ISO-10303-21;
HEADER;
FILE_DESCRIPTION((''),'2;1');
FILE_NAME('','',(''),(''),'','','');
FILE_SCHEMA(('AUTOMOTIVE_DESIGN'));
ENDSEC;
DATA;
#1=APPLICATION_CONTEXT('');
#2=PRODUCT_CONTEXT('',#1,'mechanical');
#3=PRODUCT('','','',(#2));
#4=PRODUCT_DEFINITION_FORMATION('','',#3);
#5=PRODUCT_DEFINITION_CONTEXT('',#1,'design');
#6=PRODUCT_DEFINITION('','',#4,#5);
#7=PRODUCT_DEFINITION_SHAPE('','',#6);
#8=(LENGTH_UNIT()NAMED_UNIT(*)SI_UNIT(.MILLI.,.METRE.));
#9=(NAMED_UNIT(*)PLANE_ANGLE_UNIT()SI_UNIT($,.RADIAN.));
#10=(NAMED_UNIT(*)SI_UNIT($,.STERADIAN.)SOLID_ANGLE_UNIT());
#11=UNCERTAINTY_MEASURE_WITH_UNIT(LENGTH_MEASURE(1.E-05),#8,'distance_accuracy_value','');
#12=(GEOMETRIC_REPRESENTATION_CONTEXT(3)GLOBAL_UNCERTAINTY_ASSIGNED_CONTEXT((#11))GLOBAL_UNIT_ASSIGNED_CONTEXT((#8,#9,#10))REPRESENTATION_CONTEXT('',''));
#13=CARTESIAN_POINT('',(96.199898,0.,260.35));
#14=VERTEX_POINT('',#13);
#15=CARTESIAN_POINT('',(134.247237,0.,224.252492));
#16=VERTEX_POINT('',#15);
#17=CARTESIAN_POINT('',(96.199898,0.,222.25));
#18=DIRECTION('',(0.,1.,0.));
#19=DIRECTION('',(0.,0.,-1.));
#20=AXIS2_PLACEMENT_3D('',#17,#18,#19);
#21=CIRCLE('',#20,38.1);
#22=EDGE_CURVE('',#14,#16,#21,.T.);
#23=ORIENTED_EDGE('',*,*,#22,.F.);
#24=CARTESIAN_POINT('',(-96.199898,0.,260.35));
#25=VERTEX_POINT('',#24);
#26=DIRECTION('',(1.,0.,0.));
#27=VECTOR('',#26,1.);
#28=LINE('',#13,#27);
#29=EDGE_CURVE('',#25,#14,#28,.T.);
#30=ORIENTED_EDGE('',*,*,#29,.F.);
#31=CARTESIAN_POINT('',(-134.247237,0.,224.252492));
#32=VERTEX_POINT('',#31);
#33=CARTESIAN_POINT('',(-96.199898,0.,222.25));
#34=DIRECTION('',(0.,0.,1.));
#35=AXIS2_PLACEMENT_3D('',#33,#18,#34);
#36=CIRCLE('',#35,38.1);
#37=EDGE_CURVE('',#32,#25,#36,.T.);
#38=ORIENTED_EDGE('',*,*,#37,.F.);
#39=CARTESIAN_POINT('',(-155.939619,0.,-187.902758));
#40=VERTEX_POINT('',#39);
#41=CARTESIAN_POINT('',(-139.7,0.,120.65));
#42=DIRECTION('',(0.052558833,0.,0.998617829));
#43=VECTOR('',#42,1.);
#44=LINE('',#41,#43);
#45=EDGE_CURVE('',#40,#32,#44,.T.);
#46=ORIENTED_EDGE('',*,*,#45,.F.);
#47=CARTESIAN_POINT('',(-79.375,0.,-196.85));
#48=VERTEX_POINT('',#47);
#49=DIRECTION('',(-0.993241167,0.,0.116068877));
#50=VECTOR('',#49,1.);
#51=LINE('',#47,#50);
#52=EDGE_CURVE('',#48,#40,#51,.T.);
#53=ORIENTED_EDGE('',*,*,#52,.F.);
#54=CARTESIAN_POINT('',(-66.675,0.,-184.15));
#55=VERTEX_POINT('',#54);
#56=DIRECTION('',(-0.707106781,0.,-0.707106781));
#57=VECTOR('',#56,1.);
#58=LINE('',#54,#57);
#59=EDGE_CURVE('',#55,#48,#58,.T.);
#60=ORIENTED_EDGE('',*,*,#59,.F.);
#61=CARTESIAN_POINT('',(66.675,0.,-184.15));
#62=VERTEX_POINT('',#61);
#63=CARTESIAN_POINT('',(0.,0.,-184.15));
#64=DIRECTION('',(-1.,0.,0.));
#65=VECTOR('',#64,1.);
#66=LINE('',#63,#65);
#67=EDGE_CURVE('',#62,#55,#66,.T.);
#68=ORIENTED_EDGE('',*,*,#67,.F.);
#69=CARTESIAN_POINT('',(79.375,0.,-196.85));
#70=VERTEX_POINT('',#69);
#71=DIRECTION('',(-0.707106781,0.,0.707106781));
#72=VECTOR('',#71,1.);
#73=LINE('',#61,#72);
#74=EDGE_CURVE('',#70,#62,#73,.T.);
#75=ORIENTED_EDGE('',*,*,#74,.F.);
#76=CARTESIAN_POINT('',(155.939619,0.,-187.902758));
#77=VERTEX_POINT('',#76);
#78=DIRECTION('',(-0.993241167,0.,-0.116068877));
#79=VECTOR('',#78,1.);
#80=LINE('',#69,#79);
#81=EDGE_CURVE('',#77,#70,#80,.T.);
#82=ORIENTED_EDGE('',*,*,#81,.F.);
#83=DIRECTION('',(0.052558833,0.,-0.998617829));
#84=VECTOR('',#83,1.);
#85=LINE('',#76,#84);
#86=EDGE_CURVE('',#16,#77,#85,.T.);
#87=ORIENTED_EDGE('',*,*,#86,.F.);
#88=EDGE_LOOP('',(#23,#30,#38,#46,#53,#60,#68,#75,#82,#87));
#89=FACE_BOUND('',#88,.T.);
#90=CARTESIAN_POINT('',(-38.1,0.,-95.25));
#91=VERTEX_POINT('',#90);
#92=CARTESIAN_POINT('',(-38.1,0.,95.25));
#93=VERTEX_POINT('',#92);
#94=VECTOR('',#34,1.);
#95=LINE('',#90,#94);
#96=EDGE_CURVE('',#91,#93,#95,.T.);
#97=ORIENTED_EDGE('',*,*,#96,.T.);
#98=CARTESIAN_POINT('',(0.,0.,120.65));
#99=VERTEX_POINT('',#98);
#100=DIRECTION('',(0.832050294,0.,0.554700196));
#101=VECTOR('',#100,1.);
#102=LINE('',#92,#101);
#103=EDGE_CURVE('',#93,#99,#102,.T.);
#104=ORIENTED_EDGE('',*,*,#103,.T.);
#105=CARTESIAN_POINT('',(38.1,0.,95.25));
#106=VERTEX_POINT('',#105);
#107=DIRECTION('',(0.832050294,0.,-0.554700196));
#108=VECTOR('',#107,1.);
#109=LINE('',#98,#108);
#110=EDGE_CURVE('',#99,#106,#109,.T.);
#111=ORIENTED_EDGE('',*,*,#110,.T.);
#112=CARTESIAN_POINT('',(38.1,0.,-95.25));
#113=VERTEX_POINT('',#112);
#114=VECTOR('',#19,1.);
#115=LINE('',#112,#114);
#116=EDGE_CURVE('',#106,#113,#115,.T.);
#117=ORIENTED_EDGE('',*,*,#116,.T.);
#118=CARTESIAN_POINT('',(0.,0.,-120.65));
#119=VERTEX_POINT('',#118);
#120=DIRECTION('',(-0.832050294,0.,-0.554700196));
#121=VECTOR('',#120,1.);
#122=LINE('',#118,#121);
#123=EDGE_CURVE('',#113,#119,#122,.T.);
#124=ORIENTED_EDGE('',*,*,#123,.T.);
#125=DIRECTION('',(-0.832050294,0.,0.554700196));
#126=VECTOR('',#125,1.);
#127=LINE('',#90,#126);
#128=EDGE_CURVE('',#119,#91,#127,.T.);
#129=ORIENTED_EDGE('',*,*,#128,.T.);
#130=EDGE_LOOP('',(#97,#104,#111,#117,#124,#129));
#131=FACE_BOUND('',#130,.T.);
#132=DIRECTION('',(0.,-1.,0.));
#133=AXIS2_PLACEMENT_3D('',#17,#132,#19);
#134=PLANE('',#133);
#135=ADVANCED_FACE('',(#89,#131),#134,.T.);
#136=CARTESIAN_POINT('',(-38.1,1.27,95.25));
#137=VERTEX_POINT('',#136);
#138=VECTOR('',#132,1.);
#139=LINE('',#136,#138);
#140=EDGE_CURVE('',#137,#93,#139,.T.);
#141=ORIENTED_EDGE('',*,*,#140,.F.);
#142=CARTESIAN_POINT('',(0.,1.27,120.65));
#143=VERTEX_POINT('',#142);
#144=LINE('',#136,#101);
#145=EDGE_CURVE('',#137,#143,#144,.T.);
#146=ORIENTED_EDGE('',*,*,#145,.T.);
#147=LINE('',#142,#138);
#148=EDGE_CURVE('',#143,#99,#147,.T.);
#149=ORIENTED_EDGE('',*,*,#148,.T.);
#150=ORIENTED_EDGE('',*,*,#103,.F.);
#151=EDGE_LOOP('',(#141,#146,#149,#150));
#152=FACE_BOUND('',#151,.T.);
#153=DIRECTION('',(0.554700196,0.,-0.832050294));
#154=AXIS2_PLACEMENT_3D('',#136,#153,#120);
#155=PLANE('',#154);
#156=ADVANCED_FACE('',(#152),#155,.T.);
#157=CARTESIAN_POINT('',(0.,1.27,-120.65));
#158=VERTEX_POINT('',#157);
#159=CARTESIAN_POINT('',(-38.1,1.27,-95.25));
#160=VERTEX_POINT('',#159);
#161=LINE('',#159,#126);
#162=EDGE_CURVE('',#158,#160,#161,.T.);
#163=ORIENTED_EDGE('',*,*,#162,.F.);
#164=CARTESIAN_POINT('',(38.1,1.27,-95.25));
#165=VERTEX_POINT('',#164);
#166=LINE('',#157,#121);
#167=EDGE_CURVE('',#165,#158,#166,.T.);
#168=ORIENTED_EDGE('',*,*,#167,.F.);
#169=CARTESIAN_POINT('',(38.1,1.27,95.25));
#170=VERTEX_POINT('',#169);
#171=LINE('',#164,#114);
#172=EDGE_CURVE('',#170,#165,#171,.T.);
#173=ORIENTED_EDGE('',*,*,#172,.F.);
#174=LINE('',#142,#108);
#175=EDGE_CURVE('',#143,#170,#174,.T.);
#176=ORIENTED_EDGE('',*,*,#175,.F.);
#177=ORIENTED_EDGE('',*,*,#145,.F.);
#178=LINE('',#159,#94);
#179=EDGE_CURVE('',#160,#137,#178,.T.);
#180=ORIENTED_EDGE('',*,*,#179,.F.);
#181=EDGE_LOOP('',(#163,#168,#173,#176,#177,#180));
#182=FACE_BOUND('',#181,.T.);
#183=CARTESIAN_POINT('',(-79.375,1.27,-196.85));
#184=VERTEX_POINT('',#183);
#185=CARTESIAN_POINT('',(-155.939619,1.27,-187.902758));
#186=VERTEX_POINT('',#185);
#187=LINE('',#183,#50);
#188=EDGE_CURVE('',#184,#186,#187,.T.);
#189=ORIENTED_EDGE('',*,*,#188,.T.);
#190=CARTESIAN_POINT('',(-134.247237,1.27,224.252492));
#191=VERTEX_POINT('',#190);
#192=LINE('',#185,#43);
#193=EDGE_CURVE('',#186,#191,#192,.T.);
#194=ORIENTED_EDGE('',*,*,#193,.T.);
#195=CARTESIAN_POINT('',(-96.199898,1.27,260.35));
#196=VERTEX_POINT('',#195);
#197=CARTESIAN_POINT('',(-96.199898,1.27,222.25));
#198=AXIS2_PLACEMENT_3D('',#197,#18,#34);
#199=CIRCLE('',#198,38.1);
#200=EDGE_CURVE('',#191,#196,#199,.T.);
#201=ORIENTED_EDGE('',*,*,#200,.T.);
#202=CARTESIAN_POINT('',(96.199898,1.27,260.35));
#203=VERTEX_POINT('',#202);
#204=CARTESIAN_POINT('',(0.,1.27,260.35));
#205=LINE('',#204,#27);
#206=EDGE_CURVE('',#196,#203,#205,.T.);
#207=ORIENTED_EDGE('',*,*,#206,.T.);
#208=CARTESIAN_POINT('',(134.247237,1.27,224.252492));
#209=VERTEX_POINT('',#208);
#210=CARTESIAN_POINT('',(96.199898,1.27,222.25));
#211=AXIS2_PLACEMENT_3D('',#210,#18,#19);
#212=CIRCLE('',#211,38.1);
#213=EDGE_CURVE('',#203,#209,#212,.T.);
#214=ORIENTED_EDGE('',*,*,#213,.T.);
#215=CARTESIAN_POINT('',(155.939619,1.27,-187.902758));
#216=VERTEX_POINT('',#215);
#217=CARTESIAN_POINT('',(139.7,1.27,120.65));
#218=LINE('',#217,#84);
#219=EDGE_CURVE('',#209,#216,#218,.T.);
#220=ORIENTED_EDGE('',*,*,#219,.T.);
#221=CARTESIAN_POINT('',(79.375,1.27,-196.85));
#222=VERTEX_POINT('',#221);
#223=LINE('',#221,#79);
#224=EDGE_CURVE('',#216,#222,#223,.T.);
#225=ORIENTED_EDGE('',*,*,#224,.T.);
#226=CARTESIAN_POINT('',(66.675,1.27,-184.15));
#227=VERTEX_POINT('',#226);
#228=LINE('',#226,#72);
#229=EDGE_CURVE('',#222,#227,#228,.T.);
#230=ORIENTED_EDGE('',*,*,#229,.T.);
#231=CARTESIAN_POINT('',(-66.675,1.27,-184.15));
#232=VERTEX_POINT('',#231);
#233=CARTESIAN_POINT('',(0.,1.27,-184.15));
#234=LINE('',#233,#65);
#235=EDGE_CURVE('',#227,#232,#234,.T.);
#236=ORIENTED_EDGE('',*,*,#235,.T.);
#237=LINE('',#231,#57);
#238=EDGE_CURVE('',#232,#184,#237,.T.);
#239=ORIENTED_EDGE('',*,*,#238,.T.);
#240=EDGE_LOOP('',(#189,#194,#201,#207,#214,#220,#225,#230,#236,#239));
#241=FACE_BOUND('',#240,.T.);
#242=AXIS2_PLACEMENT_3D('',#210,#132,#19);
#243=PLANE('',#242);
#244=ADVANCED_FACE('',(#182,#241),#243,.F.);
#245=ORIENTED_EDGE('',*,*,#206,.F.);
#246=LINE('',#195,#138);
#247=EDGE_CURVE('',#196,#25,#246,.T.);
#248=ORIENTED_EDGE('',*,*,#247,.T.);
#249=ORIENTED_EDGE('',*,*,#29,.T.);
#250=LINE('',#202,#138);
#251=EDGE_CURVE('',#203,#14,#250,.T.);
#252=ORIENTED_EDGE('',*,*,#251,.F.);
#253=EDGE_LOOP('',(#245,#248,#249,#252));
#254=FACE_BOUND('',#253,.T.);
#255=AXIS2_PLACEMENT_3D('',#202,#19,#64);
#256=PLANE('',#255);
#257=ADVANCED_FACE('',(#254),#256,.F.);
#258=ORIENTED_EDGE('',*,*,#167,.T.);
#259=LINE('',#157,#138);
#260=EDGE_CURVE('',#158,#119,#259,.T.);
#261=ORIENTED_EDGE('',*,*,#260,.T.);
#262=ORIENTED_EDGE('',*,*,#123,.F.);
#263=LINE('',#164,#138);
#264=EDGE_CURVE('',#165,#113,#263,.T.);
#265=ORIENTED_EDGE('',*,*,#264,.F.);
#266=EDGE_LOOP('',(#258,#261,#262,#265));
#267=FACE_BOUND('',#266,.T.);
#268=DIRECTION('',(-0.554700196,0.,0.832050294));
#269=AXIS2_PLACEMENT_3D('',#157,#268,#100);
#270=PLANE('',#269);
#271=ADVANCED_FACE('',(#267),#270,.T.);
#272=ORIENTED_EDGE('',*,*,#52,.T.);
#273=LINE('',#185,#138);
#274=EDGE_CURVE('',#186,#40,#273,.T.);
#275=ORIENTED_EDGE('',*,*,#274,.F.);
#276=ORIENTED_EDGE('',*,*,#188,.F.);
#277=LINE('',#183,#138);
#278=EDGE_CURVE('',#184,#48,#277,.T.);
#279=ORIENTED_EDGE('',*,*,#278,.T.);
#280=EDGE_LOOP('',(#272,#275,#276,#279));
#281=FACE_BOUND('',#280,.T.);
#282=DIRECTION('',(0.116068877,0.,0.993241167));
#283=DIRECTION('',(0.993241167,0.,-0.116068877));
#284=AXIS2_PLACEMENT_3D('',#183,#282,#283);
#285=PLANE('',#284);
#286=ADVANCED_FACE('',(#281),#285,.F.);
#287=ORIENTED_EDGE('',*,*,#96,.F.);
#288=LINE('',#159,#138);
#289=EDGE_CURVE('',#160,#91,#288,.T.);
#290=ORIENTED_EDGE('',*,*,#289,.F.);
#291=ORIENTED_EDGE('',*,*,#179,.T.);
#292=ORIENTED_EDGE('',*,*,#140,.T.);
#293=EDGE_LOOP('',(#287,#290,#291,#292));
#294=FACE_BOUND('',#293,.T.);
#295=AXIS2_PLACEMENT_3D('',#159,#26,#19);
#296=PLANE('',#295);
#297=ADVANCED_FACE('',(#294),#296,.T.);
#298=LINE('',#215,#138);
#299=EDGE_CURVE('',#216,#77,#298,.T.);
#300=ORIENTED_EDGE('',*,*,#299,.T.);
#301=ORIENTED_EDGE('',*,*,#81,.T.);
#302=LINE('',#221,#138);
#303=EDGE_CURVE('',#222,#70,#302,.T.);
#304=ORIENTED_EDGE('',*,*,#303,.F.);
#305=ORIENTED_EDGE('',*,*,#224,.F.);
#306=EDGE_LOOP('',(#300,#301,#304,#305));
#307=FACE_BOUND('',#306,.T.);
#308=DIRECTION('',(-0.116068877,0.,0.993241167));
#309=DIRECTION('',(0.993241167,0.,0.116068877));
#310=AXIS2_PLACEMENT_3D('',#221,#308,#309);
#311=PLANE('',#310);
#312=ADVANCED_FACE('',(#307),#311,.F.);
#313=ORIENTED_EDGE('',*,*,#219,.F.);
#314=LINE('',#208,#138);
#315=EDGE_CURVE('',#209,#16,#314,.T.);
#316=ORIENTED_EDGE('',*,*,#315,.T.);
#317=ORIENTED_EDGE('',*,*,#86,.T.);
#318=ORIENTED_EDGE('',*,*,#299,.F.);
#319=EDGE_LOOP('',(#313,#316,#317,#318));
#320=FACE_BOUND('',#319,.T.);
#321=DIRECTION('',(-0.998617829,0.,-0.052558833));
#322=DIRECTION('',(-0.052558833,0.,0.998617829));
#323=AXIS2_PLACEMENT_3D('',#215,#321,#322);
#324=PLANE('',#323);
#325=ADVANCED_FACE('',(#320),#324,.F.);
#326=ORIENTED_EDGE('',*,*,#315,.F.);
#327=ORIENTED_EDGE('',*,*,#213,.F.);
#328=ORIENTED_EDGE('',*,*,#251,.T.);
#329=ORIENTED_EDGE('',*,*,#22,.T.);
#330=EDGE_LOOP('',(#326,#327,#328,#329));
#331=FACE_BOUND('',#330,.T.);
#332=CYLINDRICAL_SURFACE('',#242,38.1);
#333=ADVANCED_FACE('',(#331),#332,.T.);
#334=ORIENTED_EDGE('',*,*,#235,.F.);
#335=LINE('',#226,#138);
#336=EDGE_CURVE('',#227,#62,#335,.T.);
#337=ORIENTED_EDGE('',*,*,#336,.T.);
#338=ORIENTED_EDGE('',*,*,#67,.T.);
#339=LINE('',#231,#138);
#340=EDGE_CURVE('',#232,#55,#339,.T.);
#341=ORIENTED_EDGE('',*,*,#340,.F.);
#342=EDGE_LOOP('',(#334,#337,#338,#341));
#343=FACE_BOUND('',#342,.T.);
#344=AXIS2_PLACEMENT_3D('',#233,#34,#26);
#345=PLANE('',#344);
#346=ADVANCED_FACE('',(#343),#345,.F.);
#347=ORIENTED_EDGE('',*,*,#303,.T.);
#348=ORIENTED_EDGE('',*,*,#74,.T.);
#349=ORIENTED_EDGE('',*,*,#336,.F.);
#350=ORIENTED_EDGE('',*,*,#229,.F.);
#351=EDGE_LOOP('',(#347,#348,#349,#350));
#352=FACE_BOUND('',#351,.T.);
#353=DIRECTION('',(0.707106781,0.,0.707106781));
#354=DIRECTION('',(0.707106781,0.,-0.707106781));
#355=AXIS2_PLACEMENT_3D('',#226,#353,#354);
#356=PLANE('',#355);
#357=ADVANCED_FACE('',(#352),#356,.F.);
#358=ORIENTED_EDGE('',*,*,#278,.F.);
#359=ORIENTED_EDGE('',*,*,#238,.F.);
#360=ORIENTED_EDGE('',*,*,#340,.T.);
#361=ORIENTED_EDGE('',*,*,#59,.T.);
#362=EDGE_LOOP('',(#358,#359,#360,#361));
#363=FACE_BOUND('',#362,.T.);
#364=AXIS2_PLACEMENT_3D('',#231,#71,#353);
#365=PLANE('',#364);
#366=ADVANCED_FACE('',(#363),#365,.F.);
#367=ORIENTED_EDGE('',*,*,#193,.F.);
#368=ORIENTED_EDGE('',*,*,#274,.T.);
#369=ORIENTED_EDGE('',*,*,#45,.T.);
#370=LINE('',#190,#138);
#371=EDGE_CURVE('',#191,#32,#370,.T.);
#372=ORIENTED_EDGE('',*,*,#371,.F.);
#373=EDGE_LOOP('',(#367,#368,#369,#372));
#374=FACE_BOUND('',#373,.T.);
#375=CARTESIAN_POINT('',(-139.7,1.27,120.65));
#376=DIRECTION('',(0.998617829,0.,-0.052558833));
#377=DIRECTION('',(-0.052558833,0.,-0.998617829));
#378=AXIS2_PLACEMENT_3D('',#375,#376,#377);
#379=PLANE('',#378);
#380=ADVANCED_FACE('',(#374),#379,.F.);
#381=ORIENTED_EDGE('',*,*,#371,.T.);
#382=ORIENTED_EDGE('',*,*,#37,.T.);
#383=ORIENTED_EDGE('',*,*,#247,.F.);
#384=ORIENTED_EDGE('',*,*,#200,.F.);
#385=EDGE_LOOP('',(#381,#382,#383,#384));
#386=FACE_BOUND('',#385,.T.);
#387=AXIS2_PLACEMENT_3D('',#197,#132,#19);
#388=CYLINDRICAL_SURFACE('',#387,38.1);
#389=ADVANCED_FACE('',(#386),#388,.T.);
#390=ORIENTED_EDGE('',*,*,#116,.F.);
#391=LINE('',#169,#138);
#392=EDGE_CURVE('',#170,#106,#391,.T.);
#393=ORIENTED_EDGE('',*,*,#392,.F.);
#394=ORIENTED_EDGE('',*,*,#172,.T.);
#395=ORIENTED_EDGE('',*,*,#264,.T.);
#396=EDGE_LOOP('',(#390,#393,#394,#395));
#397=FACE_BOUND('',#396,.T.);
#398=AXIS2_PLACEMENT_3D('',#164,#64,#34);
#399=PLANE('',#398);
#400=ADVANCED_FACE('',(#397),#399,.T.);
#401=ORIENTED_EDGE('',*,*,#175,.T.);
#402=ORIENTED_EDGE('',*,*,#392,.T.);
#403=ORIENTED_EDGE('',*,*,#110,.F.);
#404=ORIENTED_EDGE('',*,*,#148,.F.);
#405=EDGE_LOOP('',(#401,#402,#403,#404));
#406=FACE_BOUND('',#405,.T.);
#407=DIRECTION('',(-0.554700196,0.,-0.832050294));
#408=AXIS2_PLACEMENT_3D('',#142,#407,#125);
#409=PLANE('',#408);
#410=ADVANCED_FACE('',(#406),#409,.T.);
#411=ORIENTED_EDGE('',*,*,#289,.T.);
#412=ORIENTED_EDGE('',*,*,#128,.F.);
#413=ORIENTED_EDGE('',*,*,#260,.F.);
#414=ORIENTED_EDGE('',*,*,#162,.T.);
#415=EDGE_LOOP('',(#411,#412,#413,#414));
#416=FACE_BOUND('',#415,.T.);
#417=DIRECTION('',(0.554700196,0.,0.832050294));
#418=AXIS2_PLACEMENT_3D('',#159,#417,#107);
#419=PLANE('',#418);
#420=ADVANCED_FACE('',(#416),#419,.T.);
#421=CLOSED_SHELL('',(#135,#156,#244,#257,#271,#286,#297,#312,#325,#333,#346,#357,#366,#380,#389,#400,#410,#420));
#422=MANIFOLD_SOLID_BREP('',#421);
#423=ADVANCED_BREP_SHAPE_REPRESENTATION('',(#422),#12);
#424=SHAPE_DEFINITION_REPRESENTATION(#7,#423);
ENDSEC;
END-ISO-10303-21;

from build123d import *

# Parameters (mm, degrees)
BOSS_EXTRUDE1_DEPTH = 1.27


with BuildPart() as part:
    # Sketch1 → Boss-Extrude1 (new body)
    with BuildSketch(Plane(origin=(0, 0, 0), x_dir=(1, 0, 0), z_dir=(0, 1, 0))):
        with BuildLine():
            Line((-152.4, 120.65), (-139.7, -120.65))
            Line((-139.7, -120.65), (-134.247237287, -224.252491542))
            ThreePointArc((-134.247237287, -224.252491542), (-122.423123118, -249.88969001), (-96.19989799, -260.35))
            Line((-96.19989799, -260.35), (0, -260.35))
            Line((0, -260.35), (96.19989799, -260.35))
            ThreePointArc((96.19989799, -260.35), (122.423123118, -249.88969001), (134.247237287, -224.252491542))
            Line((134.247237287, -224.252491542), (139.7, -120.65))
            Line((139.7, -120.65), (152.4, 120.65))
            Line((152.4, 120.65), (155.939618828, 187.902757734))
            Line((155.939618828, 187.902757734), (79.375, 196.85))
            Line((79.375, 196.85), (66.675, 184.15))
            Line((66.675, 184.15), (0, 184.15))
            Line((0, 184.15), (-66.675, 184.15))
            Line((-66.675, 184.15), (-79.375, 196.85))
            Line((-79.375, 196.85), (-155.939618828, 187.902757734))
            Line((-155.939618828, 187.902757734), (-152.4, 120.65))
        make_face()
        Polygon((-38.1, 95.25), (0, 120.65), (38.1, 95.25), (38.1, -95.25), (0, -120.65), (-38.1, -95.25), align=None, mode=Mode.SUBTRACT)
    extrude(amount=BOSS_EXTRUDE1_DEPTH)


solid = part.part
